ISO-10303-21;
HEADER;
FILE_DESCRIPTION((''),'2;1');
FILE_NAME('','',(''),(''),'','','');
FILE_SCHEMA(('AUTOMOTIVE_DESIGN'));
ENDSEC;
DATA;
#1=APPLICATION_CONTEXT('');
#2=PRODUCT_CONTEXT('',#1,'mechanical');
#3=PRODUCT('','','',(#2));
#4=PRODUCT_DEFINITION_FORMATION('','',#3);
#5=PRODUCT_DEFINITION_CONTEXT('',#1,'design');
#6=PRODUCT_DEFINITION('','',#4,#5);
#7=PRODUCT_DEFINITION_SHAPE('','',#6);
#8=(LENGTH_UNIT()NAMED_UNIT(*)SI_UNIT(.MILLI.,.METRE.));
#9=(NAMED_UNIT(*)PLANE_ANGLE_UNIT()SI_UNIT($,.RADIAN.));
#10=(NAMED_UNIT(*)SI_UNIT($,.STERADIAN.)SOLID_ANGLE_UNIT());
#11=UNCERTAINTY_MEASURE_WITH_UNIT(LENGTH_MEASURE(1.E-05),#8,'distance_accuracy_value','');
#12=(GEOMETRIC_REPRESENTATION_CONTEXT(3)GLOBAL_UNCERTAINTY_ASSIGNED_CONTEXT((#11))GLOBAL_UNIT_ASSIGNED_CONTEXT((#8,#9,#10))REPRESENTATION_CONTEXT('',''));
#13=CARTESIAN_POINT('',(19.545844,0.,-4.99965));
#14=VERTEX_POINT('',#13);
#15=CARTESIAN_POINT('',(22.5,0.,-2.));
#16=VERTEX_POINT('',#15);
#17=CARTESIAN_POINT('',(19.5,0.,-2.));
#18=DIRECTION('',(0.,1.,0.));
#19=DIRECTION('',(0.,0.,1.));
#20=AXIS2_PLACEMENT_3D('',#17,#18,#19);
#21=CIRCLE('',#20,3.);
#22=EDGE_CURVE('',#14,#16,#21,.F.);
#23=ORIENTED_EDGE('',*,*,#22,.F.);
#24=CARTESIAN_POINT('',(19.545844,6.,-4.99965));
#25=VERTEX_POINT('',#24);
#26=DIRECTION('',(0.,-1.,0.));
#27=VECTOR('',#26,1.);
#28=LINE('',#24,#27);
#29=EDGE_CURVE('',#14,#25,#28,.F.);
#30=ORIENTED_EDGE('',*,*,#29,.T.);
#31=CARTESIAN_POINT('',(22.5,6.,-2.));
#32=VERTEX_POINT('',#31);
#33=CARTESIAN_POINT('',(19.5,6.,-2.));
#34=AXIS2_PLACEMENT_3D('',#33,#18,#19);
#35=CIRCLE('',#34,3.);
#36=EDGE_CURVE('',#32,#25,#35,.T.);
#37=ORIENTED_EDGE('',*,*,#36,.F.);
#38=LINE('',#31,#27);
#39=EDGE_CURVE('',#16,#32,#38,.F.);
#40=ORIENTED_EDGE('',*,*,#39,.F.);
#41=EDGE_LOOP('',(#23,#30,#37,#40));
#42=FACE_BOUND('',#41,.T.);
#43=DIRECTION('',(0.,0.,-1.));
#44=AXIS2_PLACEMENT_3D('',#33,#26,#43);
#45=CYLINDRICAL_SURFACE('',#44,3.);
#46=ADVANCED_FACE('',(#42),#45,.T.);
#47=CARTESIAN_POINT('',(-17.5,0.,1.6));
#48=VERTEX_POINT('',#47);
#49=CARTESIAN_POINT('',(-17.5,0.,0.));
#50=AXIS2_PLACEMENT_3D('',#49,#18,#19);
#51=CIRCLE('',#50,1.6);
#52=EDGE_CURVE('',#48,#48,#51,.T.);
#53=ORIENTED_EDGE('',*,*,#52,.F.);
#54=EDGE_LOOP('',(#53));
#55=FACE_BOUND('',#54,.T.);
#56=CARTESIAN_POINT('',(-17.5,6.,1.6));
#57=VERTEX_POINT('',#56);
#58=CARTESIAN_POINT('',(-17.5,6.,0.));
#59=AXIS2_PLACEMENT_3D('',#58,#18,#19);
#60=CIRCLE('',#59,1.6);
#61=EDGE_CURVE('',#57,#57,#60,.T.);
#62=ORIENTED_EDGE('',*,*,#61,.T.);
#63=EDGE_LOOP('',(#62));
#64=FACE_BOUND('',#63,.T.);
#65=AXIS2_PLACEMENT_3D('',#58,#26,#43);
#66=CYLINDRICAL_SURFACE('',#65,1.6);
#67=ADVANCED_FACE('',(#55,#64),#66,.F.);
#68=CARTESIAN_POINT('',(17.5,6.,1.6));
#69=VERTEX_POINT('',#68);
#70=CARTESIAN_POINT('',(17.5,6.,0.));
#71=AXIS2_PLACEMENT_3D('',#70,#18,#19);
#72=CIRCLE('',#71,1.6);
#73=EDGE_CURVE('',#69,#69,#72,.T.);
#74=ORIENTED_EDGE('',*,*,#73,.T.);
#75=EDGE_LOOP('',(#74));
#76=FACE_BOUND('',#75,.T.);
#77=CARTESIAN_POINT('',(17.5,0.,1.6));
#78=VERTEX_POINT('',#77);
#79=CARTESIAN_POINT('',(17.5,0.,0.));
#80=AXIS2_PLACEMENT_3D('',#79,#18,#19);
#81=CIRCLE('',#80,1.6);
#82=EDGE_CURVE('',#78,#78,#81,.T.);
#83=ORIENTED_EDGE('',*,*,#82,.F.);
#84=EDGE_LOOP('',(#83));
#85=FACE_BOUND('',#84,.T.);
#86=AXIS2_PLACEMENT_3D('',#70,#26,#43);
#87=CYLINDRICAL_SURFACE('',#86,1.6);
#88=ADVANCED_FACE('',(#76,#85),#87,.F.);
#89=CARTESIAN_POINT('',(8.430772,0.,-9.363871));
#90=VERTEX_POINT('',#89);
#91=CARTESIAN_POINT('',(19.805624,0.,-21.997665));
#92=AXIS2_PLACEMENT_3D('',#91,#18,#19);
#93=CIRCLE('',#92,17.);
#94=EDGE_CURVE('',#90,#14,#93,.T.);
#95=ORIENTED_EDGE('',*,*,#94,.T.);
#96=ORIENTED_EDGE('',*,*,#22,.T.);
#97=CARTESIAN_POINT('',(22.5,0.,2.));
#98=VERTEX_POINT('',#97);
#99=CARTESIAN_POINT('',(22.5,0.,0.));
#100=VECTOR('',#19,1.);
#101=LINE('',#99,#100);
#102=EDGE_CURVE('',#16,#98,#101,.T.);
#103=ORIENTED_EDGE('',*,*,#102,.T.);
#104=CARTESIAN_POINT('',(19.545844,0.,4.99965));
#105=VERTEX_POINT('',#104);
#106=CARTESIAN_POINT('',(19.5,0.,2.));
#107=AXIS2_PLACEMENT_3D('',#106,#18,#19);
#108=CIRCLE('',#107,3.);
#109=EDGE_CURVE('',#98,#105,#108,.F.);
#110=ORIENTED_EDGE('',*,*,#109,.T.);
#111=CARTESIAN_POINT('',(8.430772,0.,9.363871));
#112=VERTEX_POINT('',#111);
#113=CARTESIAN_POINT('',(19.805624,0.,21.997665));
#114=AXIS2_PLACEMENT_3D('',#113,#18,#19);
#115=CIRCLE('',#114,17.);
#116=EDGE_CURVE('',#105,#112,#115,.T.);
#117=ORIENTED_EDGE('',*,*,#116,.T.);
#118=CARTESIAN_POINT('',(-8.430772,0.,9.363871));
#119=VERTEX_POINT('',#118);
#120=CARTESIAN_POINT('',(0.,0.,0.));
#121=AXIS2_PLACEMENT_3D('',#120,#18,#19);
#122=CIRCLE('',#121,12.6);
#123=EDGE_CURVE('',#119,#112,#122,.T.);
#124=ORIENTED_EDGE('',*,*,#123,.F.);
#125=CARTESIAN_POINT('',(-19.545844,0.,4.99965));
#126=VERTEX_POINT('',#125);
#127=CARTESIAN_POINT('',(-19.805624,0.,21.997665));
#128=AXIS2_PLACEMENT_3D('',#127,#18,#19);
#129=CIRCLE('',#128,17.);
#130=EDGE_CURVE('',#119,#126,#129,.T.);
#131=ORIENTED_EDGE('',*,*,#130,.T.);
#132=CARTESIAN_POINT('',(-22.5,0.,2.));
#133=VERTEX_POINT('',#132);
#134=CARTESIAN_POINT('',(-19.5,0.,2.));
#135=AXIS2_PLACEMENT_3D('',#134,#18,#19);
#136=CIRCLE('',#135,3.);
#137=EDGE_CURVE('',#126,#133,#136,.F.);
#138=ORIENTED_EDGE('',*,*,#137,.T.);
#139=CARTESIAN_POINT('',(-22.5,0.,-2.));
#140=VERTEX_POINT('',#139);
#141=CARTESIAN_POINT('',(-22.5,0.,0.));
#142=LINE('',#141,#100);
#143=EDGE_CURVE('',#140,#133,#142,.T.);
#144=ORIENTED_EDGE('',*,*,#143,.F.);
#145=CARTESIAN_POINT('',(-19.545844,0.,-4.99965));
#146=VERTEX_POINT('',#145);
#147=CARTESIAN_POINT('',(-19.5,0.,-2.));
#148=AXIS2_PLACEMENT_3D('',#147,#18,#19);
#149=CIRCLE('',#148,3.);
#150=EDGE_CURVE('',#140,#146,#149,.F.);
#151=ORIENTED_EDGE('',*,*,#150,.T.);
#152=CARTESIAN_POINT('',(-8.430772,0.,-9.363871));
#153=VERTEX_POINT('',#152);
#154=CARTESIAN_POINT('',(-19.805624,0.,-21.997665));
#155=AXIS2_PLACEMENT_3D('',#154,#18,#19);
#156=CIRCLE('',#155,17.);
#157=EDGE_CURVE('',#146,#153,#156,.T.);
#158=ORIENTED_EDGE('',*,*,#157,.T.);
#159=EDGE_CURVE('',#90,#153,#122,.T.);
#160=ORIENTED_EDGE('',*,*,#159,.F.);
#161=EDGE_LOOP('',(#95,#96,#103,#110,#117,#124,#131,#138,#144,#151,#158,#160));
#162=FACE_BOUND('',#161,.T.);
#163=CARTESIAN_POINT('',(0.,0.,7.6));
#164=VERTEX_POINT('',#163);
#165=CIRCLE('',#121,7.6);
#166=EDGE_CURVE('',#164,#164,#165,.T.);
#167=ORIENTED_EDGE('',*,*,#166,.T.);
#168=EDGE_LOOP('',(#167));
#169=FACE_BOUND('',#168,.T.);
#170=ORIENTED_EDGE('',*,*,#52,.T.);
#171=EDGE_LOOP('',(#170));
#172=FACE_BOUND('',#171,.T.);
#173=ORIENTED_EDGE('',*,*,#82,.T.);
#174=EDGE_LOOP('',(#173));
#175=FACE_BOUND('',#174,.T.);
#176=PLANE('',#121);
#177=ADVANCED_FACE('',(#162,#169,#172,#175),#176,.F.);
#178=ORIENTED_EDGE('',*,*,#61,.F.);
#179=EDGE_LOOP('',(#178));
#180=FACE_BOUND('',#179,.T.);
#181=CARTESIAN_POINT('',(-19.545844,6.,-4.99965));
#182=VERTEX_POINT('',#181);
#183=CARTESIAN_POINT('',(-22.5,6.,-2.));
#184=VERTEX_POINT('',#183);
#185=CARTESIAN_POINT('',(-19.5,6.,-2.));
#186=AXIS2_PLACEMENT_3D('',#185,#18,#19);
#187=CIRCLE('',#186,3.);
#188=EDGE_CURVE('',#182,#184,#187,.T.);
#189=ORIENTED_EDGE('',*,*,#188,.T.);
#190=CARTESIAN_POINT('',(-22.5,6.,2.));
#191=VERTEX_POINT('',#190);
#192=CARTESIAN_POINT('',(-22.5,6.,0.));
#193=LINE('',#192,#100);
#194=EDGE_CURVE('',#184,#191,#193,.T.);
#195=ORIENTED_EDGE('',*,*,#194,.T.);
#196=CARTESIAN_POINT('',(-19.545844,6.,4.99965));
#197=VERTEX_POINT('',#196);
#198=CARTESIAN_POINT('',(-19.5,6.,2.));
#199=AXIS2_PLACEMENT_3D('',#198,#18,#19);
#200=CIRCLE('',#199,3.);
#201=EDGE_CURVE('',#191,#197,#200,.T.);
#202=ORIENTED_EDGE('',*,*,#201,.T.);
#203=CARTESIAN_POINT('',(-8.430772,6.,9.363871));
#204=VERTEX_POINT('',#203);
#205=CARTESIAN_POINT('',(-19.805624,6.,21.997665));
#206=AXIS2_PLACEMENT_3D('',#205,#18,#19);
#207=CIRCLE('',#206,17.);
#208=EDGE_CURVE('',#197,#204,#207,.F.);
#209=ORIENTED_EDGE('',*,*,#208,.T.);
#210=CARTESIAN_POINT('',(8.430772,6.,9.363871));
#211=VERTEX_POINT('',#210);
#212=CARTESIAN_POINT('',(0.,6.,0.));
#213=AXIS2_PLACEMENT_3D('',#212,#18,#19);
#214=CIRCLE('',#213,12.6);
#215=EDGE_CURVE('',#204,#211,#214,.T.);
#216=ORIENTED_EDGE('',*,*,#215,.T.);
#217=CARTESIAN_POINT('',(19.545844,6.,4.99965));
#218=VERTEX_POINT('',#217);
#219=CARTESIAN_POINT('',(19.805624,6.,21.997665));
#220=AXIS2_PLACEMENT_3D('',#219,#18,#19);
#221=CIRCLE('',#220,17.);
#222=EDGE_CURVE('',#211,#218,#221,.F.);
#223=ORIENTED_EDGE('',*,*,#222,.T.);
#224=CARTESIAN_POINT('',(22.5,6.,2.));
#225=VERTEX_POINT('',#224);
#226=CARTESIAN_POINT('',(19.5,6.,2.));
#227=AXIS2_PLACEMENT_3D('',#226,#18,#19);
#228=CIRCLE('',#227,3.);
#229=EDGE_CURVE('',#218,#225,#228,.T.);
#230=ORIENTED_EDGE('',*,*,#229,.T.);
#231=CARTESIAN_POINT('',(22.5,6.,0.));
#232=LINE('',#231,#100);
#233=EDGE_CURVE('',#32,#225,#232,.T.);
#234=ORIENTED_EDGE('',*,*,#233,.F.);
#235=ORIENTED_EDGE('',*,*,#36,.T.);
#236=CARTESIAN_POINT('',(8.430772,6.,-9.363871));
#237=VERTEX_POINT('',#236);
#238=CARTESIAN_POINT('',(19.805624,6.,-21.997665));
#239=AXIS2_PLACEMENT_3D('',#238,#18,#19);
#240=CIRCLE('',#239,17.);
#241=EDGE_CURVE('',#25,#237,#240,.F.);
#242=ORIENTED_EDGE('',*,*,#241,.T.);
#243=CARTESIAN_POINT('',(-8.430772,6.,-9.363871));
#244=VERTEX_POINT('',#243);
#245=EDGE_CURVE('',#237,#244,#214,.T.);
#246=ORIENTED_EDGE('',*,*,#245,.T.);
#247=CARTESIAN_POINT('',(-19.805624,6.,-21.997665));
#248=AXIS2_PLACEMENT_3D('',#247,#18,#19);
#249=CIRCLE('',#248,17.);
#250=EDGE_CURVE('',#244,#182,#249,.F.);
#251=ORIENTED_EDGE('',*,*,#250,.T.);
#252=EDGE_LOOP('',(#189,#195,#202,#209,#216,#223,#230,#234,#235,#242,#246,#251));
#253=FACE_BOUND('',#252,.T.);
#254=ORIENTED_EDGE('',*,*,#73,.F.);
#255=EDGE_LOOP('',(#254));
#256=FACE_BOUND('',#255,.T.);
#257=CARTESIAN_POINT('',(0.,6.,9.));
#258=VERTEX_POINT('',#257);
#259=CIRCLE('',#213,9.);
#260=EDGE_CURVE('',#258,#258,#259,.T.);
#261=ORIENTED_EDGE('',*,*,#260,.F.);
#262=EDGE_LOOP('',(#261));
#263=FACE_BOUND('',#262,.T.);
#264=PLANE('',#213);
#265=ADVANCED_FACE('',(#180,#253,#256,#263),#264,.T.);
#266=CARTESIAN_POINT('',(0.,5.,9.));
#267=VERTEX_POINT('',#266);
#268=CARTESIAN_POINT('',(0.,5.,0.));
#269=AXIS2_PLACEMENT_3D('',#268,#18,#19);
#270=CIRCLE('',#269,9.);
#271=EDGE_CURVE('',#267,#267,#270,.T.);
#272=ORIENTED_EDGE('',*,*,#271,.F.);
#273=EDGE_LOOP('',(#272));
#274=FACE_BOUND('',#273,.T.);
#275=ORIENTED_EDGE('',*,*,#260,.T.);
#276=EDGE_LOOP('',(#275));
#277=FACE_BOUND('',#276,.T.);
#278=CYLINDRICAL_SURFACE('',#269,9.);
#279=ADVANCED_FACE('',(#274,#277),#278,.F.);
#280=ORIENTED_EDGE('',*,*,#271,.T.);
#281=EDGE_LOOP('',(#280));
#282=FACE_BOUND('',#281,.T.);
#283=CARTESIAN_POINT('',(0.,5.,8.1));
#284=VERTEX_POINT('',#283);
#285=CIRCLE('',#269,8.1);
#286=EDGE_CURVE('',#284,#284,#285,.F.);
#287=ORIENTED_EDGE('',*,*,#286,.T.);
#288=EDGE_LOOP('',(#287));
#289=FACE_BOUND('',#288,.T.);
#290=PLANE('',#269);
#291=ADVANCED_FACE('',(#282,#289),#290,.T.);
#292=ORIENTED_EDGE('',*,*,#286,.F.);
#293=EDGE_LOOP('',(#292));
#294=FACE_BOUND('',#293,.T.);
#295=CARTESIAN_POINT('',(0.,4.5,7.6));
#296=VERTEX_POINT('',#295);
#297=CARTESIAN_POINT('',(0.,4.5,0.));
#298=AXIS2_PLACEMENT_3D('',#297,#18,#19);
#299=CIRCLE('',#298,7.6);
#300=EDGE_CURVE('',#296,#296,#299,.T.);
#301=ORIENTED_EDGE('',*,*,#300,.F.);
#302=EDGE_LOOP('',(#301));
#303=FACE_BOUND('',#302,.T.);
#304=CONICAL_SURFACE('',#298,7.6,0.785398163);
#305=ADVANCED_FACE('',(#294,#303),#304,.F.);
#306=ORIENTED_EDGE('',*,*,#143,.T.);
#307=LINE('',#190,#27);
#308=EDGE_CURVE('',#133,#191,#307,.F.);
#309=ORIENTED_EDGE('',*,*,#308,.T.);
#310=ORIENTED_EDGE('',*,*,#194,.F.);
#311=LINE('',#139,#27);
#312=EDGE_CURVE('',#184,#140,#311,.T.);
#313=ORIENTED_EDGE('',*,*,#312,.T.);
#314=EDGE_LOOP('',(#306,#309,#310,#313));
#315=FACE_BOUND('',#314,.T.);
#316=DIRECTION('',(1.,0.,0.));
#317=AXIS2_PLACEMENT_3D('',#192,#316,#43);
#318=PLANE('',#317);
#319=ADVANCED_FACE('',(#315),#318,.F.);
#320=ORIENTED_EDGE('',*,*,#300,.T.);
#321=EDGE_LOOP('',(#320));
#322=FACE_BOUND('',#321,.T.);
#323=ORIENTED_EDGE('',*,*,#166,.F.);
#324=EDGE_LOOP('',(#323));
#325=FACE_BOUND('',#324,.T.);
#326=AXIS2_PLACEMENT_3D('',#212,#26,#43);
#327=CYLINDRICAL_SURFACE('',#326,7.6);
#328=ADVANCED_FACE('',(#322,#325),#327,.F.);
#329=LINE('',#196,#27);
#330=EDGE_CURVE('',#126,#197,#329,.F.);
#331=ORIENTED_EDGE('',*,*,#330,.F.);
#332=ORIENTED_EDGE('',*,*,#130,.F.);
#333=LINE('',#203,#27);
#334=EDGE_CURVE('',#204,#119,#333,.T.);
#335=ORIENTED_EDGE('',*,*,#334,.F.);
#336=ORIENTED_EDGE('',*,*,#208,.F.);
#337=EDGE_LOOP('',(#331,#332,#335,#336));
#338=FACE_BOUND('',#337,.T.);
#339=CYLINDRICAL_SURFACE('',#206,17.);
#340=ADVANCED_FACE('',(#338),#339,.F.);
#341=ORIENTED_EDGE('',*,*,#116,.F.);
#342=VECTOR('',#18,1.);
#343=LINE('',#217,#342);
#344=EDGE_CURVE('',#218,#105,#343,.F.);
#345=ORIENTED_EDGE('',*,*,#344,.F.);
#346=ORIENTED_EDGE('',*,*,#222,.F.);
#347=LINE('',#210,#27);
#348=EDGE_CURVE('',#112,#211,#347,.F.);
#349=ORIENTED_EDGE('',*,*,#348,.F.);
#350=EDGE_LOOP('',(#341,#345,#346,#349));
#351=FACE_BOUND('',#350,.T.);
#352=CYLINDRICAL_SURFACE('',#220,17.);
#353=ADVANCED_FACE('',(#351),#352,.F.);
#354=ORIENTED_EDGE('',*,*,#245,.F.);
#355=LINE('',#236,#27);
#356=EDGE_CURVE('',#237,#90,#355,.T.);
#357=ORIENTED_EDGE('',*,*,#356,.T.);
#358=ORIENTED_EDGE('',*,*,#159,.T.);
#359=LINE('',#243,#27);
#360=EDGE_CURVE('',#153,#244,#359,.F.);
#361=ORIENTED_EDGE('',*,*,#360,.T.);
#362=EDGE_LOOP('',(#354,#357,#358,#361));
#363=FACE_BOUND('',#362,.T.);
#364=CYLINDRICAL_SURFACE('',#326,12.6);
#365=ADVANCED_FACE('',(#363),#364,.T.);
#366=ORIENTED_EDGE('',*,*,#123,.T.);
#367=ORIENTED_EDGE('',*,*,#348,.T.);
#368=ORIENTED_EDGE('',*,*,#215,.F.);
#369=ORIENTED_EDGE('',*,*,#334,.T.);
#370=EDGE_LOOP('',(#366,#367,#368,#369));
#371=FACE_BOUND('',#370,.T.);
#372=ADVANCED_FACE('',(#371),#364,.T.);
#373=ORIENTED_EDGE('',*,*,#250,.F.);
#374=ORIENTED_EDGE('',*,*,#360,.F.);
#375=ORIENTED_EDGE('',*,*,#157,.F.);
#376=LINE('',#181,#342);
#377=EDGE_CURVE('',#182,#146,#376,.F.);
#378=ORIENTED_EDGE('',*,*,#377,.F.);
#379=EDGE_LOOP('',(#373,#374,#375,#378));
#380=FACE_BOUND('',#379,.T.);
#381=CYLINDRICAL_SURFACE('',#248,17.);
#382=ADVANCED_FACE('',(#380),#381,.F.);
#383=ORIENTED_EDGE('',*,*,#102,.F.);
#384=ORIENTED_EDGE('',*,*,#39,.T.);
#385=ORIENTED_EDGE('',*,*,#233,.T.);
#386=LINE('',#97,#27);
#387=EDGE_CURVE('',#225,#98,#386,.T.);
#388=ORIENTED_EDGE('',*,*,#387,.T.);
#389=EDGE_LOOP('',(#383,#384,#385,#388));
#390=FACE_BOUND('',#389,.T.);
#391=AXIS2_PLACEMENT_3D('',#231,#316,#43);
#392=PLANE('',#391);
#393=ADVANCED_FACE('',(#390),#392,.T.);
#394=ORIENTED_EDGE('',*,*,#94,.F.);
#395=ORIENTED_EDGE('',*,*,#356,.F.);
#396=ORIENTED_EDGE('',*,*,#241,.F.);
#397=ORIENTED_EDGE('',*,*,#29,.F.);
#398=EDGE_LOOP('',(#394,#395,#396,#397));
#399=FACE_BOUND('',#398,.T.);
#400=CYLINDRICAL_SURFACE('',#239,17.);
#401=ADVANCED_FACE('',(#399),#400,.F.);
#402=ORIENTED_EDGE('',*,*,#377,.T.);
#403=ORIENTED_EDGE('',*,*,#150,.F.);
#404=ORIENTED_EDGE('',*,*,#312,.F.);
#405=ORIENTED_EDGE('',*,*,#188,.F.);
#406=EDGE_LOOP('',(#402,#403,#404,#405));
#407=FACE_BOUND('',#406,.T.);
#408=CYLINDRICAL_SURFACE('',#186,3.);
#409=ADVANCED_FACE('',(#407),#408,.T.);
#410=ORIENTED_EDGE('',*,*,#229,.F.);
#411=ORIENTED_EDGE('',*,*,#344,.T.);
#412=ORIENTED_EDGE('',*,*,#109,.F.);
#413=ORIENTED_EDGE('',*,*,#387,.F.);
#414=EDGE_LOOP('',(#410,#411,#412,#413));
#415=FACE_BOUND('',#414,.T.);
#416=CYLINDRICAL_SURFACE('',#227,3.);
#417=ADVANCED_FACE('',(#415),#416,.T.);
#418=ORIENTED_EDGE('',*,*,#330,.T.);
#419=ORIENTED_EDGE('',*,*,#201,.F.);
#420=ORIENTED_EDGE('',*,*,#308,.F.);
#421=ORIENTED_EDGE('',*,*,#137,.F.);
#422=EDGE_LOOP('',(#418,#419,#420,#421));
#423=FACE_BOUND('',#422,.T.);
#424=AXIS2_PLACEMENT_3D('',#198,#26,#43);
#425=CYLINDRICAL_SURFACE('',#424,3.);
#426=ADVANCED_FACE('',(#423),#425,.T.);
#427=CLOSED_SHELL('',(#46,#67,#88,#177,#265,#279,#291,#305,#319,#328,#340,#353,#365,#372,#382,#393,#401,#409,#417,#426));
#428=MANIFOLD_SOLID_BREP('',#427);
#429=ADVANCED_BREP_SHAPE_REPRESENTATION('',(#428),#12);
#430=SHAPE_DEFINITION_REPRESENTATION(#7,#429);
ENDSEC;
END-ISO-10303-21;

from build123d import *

# Parameters (mm, degrees)
SKETCH1_R           = 1.6000000000000016
BOSS_EXTRUDE1_DEPTH = 6
FILLET1_R           = 3
FILLET2_R           = 17
SKETCH2_R           = 9
CUT_EXTRUDE1_DEPTH  = 1
CHAMFER1_SIZE       = 0.5


with BuildPart() as part:
    # Sketch1 → Boss-Extrude1 (new body)
    # profile 1 of 8: a face of its own
    with BuildSketch(Plane(origin=(0, 0, 0), x_dir=(1, 0, 0), z_dir=(0, 1, 0))):
        with BuildLine():
            Line((-5.7236352085013955, -4.999999999999999), (-11.56546583584068, -5))
            ThreePointArc((-11.565465835840719, -5.000000000000114), (6.483e-14, -12.6), (11.565465835840772, -4.99999999999999))
            Line((11.565465835840783, -4.999999999999998), (5.7236352085012925, -4.999999999999999))
            ThreePointArc((5.723635208501399, -5.000000000000313), (-5.54e-14, -7.599999999999999), (-5.723635208501475, -5.0000000000002265))
        make_face()
    # profile 2 of 8: a face of its own
    with BuildSketch(Plane(origin=(0, 0, 0), x_dir=(1, 0, 0), z_dir=(0, 1, 0))):
        with BuildLine():
            Line((-11.56546583584068, 5), (-22.5, 5))
            Line((-22.5, 5), (-22.5, -5))
            Line((-22.5, -5), (-11.56546583584068, -5))
            ThreePointArc((-11.565465835840719, -5.000000000000114), (-12.6, 1.54e-15), (-11.565465835840715, 5.000000000000122))
        make_face()
        with Locations(Location((-17.499999999999996, 0, 0), (0, 0, 270))):
            Circle(SKETCH1_R, mode=Mode.SUBTRACT)
    # profile 3 of 8: a face of its own
    with BuildSketch(Plane(origin=(0, 0, 0), x_dir=(1, 0, 0), z_dir=(0, 1, 0))):
        with BuildLine():
            Line((-5.7236352085013955, 4.999999999999999), (-11.56546583584068, 5))
            ThreePointArc((-11.565465835840715, 5.000000000000122), (-12.6, 1.54e-15), (-11.565465835840719, -5.000000000000114))
            Line((-11.56546583584068, -5), (-5.7236352085013955, -4.999999999999999))
            ThreePointArc((-5.723635208501475, -5.0000000000002265), (-7.599999999999999, 9.3e-16), (-5.723635208501473, 5.000000000000228))
        make_face()
    # profile 4 of 8: a face of its own
    with BuildSketch(Plane(origin=(0, 0, 0), x_dir=(1, 0, 0), z_dir=(0, 1, 0))):
        with BuildLine():
            ThreePointArc((12.6, 0), (12.338656116684541, 2.5529522585044844), (11.56546583584077, 4.999999999999995))
            Line((11.565465835840769, 4.999999999999998), (5.723635208502053, 4.999999999999999))
            ThreePointArc((5.723635208501946, 4.9999999999996865), (7.115463006179385, 2.670240852000546), (7.599999999999999, 0))
            ThreePointArc((7.599999999999999, -1.86e-15), (7.11546300617924, -2.6702408520009326), (5.723635208501399, -5.000000000000313))
            Line((5.7236352085012925, -4.999999999999999), (11.565465835840783, -4.999999999999998))
            ThreePointArc((11.565465835840772, -4.99999999999999), (12.338656116684541, -2.552952258504483), (12.6, -3.09e-15))
        make_face()
    # profile 5 of 8: a face of its own
    with BuildSketch(Plane(origin=(0, 0, 0), x_dir=(1, 0, 0), z_dir=(0, 1, 0))):
        with BuildLine():
            ThreePointArc((11.56546583584077, 4.999999999999995), (7.072e-14, 12.6), (-11.565465835840715, 5.000000000000122))
            Line((-11.56546583584068, 5), (-5.7236352085013955, 4.999999999999999))
            ThreePointArc((-5.723635208501473, 5.000000000000228), (3.5822e-13, 7.599999999999999), (5.723635208501945, 4.999999999999687))
            Line((5.723635208502053, 4.999999999999999), (11.565465835840769, 4.999999999999998))
        make_face()
    # profile 6 of 8: a face of its own
    with BuildSketch(Plane(origin=(0, 0, 0), x_dir=(1, 0, 0), z_dir=(0, 1, 0))):
        with BuildLine():
            Line((-5.7236352085013955, 4.999999999999999), (-11.56546583584068, 5))
            ThreePointArc((-11.565465835840715, 5.000000000000122), (-12.6, 1.54e-15), (-11.565465835840719, -5.000000000000114))
            Line((-11.56546583584068, -5), (-5.7236352085013955, -4.999999999999999))
            ThreePointArc((-5.723635208501475, -5.0000000000002265), (-7.599999999999999, 9.3e-16), (-5.723635208501473, 5.000000000000228))
        make_face()
    # profile 7 of 8: a face of its own
    with BuildSketch(Plane(origin=(0, 0, 0), x_dir=(1, 0, 0), z_dir=(0, 1, 0))):
        with BuildLine():
            ThreePointArc((12.6, 0), (12.338656116684541, 2.5529522585044844), (11.56546583584077, 4.999999999999995))
            Line((11.565465835840769, 4.999999999999998), (5.723635208502053, 4.999999999999999))
            ThreePointArc((5.723635208501946, 4.9999999999996865), (7.115463006179385, 2.670240852000546), (7.599999999999999, 0))
            ThreePointArc((7.599999999999999, -1.86e-15), (7.11546300617924, -2.6702408520009326), (5.723635208501399, -5.000000000000313))
            Line((5.7236352085012925, -4.999999999999999), (11.565465835840783, -4.999999999999998))
            ThreePointArc((11.565465835840772, -4.99999999999999), (12.338656116684541, -2.552952258504483), (12.6, -3.09e-15))
        make_face()
    # profile 8 of 8: a face of its own
    with BuildSketch(Plane(origin=(0, 0, 0), x_dir=(1, 0, 0), z_dir=(0, 1, 0))):
        with BuildLine():
            Line((22.5, 4.999999999999998), (11.565465835840769, 4.999999999999998))
            ThreePointArc((11.56546583584077, 4.999999999999995), (12.338656116684541, 2.5529522585044844), (12.6, 0))
            ThreePointArc((12.6, -3.09e-15), (12.338656116684541, -2.552952258504483), (11.565465835840772, -4.99999999999999))
            Line((11.565465835840783, -4.999999999999998), (22.5, -4.999999999999998))
            Line((22.5, -4.999999999999998), (22.5, 4.999999999999998))
        make_face()
        with Locations(Location((17.499999999999996, 0, 0), (0, 0, 270))):
            Circle(SKETCH1_R, mode=Mode.SUBTRACT)
    extrude(amount=BOSS_EXTRUDE1_DEPTH)

    # Fillet1
    fillet1_edges = [part.edges().sort_by_distance(p)[0] for p in [
        (22.5, 3, -4.999999999999998),
        (22.5, 3, 4.999999999999998),
        (-22.5, 3, 5),
        (-22.5, 3, -5),
    ]]
    fillet(fillet1_edges, radius=FILLET1_R)

    # Fillet2
    fillet2_edges = [part.edges().sort_by_distance(p)[0] for p in [
        (11.56546583584077, 3, -4.9999999999999964),
        (-11.5654658358407, 3, -5.00000000000006),
        (11.565465835840776, 3, 4.999999999999994),
        (-11.5654658358407, 3, 5.000000000000057),
    ]]
    fillet(fillet2_edges, radius=FILLET2_R)

    # Sketch2 → Cut-Extrude1 (cut)
    with BuildSketch(Plane(origin=(0, 6, 0), x_dir=(1, 0, 0), z_dir=(0, 1, 0))):
        with Locations(Location((0, 0, 0), (0, 0, 270))):
            Circle(SKETCH2_R)
    extrude(amount=-CUT_EXTRUDE1_DEPTH, mode=Mode.SUBTRACT)

    # Chamfer1
    chamfer1_edges = [part.edges().sort_by_distance(p)[0] for p in [
        (-5.7236352085019595, 5, 4.999999999999671),
    ]]
    chamfer(chamfer1_edges, length=CHAMFER1_SIZE)


solid = part.part
